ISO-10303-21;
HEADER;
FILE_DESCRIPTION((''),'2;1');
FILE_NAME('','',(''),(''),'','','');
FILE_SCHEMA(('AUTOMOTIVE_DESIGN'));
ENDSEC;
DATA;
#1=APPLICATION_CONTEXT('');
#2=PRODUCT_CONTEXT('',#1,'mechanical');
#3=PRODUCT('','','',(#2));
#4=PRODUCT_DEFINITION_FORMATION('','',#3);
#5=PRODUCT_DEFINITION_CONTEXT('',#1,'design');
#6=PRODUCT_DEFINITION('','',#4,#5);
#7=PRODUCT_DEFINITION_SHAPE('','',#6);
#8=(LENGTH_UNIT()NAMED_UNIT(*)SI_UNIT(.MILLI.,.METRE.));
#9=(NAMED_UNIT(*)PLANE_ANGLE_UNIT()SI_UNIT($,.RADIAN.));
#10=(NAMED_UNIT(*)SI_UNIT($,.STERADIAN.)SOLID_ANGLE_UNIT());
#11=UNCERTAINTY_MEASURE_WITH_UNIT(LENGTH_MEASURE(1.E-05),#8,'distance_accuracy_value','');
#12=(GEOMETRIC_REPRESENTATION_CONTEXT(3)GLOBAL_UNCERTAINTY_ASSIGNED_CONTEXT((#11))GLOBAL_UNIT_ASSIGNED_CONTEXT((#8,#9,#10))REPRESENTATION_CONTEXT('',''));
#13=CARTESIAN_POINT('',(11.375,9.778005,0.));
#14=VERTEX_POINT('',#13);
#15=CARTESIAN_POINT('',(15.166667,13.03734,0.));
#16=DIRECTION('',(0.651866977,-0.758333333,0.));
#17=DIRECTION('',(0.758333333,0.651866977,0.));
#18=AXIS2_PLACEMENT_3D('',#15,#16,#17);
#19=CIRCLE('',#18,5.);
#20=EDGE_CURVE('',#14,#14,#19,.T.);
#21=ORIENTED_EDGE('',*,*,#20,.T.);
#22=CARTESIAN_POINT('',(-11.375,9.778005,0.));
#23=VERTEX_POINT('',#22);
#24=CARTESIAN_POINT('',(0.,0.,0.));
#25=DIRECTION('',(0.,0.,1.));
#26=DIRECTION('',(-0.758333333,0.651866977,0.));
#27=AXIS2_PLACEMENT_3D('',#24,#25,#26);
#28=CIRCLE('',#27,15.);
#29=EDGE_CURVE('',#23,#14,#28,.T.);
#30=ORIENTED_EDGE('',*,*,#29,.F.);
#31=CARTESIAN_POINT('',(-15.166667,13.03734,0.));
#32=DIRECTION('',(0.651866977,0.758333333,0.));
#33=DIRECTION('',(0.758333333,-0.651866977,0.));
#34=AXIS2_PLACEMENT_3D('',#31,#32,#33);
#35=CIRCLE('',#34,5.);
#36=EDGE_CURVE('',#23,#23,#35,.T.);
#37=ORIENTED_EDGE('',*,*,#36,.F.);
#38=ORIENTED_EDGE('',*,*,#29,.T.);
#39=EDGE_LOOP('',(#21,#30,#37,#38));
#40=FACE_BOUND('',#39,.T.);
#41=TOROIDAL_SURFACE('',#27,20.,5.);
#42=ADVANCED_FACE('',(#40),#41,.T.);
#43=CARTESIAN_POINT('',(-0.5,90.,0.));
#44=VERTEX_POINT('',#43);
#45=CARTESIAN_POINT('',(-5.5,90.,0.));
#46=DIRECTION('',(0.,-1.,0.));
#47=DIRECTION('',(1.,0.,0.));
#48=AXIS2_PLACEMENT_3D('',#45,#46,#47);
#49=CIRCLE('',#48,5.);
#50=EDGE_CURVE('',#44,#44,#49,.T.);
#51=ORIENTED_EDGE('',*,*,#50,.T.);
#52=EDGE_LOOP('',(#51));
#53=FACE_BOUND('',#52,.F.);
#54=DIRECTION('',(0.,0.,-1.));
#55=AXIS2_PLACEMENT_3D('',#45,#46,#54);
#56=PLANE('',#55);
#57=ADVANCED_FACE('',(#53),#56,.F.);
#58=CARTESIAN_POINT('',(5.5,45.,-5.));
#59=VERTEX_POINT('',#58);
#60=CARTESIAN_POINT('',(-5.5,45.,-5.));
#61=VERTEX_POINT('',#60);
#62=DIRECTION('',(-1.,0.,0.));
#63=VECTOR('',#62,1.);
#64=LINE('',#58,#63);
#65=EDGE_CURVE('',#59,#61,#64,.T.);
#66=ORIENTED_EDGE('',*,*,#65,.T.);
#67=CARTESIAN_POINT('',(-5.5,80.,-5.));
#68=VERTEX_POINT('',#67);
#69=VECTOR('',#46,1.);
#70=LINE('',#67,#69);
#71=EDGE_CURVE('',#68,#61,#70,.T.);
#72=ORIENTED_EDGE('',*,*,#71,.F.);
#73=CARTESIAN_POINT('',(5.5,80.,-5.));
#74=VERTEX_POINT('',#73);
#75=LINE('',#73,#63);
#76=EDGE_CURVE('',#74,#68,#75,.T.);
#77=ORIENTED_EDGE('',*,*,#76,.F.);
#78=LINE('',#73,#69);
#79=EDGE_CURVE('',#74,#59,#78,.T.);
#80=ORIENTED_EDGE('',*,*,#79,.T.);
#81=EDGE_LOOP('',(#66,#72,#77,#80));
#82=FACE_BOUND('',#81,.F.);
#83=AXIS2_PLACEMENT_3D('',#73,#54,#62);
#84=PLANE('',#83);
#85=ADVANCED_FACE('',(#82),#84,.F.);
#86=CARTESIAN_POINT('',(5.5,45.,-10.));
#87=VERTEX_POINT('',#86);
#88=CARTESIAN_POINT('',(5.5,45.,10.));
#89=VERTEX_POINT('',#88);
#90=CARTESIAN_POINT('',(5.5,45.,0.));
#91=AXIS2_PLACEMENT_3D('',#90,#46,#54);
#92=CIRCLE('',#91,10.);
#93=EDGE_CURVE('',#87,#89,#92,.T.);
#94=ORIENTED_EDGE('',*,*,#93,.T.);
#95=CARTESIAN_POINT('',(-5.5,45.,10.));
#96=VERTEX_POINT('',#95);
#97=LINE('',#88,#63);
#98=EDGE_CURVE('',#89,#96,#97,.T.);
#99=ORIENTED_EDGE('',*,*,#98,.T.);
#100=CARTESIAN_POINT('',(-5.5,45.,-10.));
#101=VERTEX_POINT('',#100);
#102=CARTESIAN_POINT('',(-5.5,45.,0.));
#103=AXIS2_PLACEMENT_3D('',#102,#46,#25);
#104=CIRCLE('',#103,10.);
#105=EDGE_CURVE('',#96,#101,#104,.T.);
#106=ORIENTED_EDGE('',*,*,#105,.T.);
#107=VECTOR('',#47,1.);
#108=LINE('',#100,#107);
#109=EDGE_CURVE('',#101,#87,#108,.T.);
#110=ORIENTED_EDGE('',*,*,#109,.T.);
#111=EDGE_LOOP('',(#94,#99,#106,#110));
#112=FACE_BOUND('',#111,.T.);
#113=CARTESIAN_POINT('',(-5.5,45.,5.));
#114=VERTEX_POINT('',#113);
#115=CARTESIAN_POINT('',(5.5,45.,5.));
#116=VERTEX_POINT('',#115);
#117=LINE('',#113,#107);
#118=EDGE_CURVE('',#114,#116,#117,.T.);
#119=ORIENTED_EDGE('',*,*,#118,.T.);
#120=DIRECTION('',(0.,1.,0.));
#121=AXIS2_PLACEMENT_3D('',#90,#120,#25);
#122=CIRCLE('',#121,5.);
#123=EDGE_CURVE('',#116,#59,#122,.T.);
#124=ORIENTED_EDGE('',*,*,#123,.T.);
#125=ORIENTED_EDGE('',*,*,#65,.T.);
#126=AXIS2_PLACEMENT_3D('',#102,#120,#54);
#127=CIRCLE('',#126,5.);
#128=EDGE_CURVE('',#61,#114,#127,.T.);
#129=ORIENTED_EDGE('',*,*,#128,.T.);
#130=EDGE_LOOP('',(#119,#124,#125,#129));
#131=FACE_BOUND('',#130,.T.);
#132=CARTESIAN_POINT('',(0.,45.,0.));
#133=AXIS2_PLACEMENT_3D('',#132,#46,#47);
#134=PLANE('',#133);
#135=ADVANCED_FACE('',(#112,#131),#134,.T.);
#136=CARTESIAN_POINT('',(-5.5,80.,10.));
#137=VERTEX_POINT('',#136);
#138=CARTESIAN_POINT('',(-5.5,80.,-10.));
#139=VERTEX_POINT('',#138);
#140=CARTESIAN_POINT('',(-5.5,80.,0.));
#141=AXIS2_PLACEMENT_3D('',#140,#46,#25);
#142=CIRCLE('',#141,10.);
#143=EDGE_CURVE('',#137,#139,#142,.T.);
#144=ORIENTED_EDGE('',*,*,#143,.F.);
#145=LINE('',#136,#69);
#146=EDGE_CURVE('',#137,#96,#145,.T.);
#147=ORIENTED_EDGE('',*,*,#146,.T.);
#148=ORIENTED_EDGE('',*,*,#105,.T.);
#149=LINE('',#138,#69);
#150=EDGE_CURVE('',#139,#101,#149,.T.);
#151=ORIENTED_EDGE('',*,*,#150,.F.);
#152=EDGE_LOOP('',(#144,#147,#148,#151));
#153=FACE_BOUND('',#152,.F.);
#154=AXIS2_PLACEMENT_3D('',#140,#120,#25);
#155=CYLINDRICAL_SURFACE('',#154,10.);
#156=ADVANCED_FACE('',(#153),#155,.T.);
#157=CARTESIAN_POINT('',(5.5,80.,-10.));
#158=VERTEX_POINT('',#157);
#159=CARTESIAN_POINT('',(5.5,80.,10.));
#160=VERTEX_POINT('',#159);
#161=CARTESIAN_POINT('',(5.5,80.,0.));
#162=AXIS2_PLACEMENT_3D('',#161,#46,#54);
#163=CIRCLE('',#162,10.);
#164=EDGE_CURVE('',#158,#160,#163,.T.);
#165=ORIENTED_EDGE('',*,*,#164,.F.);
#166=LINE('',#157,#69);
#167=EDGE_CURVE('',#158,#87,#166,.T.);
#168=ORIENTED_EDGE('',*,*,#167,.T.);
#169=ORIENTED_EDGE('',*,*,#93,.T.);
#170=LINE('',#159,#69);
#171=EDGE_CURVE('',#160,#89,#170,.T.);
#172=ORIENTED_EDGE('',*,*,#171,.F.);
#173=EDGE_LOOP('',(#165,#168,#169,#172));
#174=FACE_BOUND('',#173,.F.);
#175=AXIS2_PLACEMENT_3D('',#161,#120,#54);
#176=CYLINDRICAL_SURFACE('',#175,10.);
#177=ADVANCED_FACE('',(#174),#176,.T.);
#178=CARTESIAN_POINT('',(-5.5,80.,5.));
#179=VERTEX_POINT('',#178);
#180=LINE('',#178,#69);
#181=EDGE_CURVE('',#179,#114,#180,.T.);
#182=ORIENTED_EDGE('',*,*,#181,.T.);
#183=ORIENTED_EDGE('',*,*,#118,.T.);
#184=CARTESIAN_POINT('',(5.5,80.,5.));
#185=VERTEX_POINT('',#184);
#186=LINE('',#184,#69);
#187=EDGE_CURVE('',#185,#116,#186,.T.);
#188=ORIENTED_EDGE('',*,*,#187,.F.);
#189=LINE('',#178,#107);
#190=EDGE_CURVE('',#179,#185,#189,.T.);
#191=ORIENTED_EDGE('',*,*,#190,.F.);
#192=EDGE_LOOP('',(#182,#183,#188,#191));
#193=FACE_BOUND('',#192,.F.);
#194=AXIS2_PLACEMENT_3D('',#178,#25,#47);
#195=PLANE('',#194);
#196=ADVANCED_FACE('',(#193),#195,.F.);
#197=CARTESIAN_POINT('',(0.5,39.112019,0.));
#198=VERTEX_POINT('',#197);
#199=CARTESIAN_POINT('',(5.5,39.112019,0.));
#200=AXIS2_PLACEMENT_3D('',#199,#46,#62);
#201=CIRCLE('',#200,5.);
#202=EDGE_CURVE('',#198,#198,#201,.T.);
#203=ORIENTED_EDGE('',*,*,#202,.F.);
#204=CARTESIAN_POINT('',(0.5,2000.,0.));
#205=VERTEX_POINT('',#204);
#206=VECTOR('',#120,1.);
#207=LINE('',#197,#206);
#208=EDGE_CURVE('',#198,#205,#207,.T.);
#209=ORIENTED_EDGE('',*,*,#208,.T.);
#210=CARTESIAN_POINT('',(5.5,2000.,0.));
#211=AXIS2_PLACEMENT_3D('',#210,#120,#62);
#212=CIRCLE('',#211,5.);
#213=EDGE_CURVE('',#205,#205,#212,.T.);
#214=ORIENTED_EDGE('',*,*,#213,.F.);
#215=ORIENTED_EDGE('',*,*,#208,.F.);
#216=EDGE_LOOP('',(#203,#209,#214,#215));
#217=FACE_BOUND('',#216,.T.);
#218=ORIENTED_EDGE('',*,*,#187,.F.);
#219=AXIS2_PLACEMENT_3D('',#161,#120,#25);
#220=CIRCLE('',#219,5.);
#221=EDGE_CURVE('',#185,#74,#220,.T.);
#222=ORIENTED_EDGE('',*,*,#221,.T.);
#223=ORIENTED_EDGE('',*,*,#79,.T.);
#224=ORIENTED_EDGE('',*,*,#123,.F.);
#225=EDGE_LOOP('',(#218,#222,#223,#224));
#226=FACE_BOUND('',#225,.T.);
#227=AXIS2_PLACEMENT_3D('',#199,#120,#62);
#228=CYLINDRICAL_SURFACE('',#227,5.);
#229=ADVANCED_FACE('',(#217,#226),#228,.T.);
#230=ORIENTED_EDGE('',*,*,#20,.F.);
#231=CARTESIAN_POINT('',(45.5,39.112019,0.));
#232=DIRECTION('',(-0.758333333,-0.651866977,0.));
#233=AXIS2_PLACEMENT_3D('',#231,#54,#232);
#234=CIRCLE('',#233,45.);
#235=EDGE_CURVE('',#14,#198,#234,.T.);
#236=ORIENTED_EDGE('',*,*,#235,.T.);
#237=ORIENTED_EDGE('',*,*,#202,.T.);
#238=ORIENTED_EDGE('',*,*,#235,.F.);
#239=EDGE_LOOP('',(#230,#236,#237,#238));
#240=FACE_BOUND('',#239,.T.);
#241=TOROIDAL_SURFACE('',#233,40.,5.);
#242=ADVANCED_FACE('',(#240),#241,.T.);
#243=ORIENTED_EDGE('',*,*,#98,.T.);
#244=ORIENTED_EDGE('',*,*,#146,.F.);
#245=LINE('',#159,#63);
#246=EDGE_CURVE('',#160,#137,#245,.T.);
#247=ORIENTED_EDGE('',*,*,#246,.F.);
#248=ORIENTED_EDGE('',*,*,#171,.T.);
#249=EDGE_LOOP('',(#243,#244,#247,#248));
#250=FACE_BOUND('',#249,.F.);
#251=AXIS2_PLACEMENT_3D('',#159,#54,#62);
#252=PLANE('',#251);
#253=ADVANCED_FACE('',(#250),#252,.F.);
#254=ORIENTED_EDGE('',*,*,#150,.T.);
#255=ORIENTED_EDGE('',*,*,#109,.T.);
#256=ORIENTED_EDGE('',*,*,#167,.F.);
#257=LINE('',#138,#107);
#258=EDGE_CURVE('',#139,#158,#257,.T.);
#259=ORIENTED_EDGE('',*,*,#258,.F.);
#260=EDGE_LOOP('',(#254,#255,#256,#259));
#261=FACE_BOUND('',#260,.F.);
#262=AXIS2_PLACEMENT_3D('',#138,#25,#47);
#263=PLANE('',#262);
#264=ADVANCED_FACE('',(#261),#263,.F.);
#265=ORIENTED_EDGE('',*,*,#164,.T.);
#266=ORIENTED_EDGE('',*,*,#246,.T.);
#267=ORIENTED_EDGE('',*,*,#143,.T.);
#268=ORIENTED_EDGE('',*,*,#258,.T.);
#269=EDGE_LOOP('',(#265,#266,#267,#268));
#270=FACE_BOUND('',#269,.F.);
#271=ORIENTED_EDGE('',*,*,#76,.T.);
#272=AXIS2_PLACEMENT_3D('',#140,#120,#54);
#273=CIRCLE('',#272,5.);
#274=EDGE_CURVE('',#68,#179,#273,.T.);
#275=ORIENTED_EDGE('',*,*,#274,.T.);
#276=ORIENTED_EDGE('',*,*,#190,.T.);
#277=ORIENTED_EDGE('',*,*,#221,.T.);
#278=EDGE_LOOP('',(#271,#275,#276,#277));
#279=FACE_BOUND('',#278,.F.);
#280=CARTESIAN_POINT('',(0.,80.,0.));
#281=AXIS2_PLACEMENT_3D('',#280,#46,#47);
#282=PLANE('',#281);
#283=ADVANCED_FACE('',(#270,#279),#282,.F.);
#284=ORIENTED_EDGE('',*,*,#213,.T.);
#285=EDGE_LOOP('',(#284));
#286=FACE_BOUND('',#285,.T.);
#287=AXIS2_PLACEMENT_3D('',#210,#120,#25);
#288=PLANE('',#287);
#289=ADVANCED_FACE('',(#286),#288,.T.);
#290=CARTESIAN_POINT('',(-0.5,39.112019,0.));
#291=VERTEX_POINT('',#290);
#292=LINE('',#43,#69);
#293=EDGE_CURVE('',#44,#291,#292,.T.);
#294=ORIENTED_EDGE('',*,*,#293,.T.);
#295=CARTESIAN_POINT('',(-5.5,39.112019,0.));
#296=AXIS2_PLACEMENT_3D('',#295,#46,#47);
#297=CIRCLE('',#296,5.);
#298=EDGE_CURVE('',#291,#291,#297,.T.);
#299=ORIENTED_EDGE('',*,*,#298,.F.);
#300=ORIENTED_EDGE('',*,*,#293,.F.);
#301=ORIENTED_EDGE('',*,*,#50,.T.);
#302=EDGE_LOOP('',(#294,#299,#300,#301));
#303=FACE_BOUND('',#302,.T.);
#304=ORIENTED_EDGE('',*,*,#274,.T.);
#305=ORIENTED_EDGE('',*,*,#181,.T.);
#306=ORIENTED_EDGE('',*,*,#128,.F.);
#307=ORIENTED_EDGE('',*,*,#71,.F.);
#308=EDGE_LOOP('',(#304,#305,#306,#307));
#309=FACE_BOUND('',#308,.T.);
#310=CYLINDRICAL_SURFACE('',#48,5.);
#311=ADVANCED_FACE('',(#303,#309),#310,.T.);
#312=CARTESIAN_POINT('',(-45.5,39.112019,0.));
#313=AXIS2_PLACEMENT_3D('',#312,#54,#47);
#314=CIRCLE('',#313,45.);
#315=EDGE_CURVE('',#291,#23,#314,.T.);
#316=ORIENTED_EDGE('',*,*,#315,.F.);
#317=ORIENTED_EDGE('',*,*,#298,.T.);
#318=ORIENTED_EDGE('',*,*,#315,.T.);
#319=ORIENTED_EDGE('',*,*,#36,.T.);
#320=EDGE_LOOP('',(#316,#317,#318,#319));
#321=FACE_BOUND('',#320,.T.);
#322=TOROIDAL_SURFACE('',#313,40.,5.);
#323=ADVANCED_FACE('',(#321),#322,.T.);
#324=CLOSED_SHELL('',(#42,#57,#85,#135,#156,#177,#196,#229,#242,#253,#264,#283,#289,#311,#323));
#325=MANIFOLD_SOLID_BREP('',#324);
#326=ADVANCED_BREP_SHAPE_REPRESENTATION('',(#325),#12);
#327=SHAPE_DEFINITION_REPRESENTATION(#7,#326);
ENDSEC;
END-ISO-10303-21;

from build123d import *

# Parameters (mm, degrees)
F2_R     = 5
F6_DEPTH = 35


with BuildPart() as f3:
    # F3: sweep along a path in F0
    with BuildLine(Plane.XY) as f3_path:
        Line((-5.5, 90), (-5.5, 39.1120186132))
        ThreePointArc((-5.5, 39.1120186132), (-7.9944448559, 25.2075828701), (-15.1666666667, 13.0373395377))
        ThreePointArc((-15.1666666667, 13.0373395377), (0, -20), (15.1666666667, 13.0373395377))
        ThreePointArc((15.1666666667, 13.0373395377), (7.9944448559, 25.2075828701), (5.5, 39.1120186132))
        Line((5.5, 39.1120186132), (5.5, 2000))
    # F2 (on plane+point) → F3 (sweep)
    with BuildSketch(Plane.XZ.offset(-90)):
        with Locations((-5.5, 0)):
            Circle(F2_R)
    sweep(path=f3_path.line)

    # F5 (on offset) → F6 (join)
    with BuildSketch(Plane.XZ.offset(-80)):
        with BuildLine():
            Line((-5.5, -10.0000000344), (5.5, -10.0000000344))
            ThreePointArc((5.5, -10.0000000344), (15.5000000344, 0), (5.5, 10.0000000344))
            Line((5.5, 10.0000000344), (-5.5, 10.0000000344))
            ThreePointArc((-5.5, 10.0000000344), (-15.5000000344, 0), (-5.5, -10.0000000344))
        make_face()
        with BuildLine():
            ThreePointArc((-5.5, -5), (-10.5, 0), (-5.5, 5))
            Line((-5.5, 5), (5.5, 5))
            ThreePointArc((5.5, 5), (10.5, 0), (5.5, -5))
            Line((5.5, -5), (-5.5, -5))
        make_face(mode=Mode.SUBTRACT)
    extrude(amount=F6_DEPTH)


solid = f3.part
